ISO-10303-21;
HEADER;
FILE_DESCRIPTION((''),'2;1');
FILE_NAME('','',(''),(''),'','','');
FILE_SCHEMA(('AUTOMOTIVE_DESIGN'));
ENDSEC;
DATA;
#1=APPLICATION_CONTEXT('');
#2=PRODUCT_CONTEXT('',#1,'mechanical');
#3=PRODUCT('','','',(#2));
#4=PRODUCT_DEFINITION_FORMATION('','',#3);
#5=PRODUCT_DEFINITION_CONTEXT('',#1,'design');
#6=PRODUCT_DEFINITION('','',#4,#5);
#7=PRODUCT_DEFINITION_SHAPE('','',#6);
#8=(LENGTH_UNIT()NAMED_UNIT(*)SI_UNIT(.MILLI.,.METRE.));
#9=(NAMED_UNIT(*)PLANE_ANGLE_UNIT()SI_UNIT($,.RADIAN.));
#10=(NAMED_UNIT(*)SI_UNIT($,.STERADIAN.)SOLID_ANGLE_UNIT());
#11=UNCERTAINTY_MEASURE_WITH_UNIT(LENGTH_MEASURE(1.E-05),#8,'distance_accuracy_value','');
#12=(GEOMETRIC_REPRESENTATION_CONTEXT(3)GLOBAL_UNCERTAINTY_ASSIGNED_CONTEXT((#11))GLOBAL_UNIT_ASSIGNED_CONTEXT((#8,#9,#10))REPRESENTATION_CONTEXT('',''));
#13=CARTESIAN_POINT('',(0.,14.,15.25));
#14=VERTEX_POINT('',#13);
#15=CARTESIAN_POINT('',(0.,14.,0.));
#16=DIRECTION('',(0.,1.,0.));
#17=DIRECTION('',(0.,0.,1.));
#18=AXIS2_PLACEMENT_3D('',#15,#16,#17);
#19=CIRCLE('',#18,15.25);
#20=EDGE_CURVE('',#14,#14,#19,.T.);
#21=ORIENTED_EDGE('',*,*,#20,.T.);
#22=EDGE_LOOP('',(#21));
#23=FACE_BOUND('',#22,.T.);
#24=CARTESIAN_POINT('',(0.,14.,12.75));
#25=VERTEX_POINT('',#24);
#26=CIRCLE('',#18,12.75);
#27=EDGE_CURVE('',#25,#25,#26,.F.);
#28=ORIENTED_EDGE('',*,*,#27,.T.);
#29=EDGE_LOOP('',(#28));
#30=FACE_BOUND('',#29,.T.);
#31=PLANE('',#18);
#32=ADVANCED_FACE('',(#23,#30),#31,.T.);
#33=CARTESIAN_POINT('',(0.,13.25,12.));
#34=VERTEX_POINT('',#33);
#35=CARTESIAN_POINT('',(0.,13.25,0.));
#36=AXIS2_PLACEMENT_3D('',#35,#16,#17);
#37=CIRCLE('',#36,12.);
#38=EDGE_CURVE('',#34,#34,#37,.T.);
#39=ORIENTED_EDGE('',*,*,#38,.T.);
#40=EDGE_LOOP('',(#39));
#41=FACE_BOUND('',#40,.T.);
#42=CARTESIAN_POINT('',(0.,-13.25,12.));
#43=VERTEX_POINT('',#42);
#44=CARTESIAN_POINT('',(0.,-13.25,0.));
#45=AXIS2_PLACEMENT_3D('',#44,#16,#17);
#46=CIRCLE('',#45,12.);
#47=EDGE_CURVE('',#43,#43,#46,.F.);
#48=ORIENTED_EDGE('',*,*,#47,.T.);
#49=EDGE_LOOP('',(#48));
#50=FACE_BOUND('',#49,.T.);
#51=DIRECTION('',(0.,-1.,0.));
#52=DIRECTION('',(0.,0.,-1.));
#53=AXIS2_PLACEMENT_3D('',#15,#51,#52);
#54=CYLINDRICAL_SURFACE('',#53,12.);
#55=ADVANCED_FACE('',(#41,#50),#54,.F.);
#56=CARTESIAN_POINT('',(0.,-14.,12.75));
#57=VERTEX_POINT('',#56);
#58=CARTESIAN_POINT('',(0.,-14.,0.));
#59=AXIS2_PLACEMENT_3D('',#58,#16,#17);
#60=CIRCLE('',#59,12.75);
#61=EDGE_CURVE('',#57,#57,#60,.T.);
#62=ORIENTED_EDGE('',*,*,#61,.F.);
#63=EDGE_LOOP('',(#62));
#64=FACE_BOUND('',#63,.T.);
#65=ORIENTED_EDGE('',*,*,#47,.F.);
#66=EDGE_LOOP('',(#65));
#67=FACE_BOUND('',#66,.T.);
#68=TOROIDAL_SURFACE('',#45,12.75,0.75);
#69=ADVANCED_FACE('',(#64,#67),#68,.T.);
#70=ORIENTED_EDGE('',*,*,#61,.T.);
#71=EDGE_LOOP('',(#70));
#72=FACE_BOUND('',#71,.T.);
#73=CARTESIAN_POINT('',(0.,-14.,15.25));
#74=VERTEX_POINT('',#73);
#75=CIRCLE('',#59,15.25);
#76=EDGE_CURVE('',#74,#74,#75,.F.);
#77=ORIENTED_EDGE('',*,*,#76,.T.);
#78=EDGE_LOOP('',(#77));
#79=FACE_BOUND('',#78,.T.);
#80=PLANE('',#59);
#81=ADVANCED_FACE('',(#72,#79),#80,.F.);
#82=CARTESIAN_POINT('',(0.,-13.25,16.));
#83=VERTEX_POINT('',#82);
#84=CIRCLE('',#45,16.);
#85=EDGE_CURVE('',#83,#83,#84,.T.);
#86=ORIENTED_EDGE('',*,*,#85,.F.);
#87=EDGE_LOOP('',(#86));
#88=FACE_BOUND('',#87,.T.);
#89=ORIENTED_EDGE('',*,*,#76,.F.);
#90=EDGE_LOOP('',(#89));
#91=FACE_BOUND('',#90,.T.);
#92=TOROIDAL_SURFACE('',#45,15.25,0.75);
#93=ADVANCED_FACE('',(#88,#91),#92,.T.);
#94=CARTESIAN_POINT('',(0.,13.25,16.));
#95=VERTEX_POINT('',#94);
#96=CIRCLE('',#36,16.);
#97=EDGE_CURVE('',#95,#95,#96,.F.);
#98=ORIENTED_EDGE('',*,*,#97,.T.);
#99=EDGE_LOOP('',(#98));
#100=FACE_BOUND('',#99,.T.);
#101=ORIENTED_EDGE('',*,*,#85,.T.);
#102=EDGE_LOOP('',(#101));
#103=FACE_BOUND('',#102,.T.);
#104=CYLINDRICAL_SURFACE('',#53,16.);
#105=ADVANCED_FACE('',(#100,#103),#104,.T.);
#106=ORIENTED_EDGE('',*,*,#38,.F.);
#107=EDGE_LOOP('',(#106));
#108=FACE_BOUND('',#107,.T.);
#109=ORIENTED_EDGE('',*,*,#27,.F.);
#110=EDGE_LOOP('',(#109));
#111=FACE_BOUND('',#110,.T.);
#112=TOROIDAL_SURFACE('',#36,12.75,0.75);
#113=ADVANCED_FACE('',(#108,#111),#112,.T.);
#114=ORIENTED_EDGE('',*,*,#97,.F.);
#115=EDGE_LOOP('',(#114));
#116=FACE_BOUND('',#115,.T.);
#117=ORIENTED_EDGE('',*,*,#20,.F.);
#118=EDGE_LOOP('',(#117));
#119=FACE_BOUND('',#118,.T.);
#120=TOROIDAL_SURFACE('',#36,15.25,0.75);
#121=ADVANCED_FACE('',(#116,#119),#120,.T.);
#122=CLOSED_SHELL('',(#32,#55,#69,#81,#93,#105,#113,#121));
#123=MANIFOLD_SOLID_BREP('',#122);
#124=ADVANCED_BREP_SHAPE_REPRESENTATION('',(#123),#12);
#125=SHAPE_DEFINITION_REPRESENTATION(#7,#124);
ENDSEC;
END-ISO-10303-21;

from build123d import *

# Parameters (mm, degrees)
SKETCH_1_R      = 16
SKETCH_1_R_2    = 12
EXTRUDE_1_DEPTH = 14
FILLET_1_R      = 0.75


with BuildPart() as part:
    # 草图1 → 凸台-拉伸1 (new, symmetric)
    with BuildSketch(Plane(origin=(0, 0, 0), x_dir=(1, 0, 0), z_dir=(0, 1, 0))):
        with Locations(Location((0, 0, 0), (0, 0, 270))):
            Circle(SKETCH_1_R)
        with Locations(Location((0, 0, 0), (0, 0, 270))):
            Circle(SKETCH_1_R_2, mode=Mode.SUBTRACT)
    extrude(amount=EXTRUDE_1_DEPTH, both=True)

    # 圆角1
    fillet_1_edges = [part.edges().sort_by_distance(p)[0] for p in [
        (0, -14, -16),
        (0, 14, -16),
        (0, -14, -12),
        (0, 14, -12),
    ]]
    fillet(fillet_1_edges, radius=FILLET_1_R)


solid = part.part
